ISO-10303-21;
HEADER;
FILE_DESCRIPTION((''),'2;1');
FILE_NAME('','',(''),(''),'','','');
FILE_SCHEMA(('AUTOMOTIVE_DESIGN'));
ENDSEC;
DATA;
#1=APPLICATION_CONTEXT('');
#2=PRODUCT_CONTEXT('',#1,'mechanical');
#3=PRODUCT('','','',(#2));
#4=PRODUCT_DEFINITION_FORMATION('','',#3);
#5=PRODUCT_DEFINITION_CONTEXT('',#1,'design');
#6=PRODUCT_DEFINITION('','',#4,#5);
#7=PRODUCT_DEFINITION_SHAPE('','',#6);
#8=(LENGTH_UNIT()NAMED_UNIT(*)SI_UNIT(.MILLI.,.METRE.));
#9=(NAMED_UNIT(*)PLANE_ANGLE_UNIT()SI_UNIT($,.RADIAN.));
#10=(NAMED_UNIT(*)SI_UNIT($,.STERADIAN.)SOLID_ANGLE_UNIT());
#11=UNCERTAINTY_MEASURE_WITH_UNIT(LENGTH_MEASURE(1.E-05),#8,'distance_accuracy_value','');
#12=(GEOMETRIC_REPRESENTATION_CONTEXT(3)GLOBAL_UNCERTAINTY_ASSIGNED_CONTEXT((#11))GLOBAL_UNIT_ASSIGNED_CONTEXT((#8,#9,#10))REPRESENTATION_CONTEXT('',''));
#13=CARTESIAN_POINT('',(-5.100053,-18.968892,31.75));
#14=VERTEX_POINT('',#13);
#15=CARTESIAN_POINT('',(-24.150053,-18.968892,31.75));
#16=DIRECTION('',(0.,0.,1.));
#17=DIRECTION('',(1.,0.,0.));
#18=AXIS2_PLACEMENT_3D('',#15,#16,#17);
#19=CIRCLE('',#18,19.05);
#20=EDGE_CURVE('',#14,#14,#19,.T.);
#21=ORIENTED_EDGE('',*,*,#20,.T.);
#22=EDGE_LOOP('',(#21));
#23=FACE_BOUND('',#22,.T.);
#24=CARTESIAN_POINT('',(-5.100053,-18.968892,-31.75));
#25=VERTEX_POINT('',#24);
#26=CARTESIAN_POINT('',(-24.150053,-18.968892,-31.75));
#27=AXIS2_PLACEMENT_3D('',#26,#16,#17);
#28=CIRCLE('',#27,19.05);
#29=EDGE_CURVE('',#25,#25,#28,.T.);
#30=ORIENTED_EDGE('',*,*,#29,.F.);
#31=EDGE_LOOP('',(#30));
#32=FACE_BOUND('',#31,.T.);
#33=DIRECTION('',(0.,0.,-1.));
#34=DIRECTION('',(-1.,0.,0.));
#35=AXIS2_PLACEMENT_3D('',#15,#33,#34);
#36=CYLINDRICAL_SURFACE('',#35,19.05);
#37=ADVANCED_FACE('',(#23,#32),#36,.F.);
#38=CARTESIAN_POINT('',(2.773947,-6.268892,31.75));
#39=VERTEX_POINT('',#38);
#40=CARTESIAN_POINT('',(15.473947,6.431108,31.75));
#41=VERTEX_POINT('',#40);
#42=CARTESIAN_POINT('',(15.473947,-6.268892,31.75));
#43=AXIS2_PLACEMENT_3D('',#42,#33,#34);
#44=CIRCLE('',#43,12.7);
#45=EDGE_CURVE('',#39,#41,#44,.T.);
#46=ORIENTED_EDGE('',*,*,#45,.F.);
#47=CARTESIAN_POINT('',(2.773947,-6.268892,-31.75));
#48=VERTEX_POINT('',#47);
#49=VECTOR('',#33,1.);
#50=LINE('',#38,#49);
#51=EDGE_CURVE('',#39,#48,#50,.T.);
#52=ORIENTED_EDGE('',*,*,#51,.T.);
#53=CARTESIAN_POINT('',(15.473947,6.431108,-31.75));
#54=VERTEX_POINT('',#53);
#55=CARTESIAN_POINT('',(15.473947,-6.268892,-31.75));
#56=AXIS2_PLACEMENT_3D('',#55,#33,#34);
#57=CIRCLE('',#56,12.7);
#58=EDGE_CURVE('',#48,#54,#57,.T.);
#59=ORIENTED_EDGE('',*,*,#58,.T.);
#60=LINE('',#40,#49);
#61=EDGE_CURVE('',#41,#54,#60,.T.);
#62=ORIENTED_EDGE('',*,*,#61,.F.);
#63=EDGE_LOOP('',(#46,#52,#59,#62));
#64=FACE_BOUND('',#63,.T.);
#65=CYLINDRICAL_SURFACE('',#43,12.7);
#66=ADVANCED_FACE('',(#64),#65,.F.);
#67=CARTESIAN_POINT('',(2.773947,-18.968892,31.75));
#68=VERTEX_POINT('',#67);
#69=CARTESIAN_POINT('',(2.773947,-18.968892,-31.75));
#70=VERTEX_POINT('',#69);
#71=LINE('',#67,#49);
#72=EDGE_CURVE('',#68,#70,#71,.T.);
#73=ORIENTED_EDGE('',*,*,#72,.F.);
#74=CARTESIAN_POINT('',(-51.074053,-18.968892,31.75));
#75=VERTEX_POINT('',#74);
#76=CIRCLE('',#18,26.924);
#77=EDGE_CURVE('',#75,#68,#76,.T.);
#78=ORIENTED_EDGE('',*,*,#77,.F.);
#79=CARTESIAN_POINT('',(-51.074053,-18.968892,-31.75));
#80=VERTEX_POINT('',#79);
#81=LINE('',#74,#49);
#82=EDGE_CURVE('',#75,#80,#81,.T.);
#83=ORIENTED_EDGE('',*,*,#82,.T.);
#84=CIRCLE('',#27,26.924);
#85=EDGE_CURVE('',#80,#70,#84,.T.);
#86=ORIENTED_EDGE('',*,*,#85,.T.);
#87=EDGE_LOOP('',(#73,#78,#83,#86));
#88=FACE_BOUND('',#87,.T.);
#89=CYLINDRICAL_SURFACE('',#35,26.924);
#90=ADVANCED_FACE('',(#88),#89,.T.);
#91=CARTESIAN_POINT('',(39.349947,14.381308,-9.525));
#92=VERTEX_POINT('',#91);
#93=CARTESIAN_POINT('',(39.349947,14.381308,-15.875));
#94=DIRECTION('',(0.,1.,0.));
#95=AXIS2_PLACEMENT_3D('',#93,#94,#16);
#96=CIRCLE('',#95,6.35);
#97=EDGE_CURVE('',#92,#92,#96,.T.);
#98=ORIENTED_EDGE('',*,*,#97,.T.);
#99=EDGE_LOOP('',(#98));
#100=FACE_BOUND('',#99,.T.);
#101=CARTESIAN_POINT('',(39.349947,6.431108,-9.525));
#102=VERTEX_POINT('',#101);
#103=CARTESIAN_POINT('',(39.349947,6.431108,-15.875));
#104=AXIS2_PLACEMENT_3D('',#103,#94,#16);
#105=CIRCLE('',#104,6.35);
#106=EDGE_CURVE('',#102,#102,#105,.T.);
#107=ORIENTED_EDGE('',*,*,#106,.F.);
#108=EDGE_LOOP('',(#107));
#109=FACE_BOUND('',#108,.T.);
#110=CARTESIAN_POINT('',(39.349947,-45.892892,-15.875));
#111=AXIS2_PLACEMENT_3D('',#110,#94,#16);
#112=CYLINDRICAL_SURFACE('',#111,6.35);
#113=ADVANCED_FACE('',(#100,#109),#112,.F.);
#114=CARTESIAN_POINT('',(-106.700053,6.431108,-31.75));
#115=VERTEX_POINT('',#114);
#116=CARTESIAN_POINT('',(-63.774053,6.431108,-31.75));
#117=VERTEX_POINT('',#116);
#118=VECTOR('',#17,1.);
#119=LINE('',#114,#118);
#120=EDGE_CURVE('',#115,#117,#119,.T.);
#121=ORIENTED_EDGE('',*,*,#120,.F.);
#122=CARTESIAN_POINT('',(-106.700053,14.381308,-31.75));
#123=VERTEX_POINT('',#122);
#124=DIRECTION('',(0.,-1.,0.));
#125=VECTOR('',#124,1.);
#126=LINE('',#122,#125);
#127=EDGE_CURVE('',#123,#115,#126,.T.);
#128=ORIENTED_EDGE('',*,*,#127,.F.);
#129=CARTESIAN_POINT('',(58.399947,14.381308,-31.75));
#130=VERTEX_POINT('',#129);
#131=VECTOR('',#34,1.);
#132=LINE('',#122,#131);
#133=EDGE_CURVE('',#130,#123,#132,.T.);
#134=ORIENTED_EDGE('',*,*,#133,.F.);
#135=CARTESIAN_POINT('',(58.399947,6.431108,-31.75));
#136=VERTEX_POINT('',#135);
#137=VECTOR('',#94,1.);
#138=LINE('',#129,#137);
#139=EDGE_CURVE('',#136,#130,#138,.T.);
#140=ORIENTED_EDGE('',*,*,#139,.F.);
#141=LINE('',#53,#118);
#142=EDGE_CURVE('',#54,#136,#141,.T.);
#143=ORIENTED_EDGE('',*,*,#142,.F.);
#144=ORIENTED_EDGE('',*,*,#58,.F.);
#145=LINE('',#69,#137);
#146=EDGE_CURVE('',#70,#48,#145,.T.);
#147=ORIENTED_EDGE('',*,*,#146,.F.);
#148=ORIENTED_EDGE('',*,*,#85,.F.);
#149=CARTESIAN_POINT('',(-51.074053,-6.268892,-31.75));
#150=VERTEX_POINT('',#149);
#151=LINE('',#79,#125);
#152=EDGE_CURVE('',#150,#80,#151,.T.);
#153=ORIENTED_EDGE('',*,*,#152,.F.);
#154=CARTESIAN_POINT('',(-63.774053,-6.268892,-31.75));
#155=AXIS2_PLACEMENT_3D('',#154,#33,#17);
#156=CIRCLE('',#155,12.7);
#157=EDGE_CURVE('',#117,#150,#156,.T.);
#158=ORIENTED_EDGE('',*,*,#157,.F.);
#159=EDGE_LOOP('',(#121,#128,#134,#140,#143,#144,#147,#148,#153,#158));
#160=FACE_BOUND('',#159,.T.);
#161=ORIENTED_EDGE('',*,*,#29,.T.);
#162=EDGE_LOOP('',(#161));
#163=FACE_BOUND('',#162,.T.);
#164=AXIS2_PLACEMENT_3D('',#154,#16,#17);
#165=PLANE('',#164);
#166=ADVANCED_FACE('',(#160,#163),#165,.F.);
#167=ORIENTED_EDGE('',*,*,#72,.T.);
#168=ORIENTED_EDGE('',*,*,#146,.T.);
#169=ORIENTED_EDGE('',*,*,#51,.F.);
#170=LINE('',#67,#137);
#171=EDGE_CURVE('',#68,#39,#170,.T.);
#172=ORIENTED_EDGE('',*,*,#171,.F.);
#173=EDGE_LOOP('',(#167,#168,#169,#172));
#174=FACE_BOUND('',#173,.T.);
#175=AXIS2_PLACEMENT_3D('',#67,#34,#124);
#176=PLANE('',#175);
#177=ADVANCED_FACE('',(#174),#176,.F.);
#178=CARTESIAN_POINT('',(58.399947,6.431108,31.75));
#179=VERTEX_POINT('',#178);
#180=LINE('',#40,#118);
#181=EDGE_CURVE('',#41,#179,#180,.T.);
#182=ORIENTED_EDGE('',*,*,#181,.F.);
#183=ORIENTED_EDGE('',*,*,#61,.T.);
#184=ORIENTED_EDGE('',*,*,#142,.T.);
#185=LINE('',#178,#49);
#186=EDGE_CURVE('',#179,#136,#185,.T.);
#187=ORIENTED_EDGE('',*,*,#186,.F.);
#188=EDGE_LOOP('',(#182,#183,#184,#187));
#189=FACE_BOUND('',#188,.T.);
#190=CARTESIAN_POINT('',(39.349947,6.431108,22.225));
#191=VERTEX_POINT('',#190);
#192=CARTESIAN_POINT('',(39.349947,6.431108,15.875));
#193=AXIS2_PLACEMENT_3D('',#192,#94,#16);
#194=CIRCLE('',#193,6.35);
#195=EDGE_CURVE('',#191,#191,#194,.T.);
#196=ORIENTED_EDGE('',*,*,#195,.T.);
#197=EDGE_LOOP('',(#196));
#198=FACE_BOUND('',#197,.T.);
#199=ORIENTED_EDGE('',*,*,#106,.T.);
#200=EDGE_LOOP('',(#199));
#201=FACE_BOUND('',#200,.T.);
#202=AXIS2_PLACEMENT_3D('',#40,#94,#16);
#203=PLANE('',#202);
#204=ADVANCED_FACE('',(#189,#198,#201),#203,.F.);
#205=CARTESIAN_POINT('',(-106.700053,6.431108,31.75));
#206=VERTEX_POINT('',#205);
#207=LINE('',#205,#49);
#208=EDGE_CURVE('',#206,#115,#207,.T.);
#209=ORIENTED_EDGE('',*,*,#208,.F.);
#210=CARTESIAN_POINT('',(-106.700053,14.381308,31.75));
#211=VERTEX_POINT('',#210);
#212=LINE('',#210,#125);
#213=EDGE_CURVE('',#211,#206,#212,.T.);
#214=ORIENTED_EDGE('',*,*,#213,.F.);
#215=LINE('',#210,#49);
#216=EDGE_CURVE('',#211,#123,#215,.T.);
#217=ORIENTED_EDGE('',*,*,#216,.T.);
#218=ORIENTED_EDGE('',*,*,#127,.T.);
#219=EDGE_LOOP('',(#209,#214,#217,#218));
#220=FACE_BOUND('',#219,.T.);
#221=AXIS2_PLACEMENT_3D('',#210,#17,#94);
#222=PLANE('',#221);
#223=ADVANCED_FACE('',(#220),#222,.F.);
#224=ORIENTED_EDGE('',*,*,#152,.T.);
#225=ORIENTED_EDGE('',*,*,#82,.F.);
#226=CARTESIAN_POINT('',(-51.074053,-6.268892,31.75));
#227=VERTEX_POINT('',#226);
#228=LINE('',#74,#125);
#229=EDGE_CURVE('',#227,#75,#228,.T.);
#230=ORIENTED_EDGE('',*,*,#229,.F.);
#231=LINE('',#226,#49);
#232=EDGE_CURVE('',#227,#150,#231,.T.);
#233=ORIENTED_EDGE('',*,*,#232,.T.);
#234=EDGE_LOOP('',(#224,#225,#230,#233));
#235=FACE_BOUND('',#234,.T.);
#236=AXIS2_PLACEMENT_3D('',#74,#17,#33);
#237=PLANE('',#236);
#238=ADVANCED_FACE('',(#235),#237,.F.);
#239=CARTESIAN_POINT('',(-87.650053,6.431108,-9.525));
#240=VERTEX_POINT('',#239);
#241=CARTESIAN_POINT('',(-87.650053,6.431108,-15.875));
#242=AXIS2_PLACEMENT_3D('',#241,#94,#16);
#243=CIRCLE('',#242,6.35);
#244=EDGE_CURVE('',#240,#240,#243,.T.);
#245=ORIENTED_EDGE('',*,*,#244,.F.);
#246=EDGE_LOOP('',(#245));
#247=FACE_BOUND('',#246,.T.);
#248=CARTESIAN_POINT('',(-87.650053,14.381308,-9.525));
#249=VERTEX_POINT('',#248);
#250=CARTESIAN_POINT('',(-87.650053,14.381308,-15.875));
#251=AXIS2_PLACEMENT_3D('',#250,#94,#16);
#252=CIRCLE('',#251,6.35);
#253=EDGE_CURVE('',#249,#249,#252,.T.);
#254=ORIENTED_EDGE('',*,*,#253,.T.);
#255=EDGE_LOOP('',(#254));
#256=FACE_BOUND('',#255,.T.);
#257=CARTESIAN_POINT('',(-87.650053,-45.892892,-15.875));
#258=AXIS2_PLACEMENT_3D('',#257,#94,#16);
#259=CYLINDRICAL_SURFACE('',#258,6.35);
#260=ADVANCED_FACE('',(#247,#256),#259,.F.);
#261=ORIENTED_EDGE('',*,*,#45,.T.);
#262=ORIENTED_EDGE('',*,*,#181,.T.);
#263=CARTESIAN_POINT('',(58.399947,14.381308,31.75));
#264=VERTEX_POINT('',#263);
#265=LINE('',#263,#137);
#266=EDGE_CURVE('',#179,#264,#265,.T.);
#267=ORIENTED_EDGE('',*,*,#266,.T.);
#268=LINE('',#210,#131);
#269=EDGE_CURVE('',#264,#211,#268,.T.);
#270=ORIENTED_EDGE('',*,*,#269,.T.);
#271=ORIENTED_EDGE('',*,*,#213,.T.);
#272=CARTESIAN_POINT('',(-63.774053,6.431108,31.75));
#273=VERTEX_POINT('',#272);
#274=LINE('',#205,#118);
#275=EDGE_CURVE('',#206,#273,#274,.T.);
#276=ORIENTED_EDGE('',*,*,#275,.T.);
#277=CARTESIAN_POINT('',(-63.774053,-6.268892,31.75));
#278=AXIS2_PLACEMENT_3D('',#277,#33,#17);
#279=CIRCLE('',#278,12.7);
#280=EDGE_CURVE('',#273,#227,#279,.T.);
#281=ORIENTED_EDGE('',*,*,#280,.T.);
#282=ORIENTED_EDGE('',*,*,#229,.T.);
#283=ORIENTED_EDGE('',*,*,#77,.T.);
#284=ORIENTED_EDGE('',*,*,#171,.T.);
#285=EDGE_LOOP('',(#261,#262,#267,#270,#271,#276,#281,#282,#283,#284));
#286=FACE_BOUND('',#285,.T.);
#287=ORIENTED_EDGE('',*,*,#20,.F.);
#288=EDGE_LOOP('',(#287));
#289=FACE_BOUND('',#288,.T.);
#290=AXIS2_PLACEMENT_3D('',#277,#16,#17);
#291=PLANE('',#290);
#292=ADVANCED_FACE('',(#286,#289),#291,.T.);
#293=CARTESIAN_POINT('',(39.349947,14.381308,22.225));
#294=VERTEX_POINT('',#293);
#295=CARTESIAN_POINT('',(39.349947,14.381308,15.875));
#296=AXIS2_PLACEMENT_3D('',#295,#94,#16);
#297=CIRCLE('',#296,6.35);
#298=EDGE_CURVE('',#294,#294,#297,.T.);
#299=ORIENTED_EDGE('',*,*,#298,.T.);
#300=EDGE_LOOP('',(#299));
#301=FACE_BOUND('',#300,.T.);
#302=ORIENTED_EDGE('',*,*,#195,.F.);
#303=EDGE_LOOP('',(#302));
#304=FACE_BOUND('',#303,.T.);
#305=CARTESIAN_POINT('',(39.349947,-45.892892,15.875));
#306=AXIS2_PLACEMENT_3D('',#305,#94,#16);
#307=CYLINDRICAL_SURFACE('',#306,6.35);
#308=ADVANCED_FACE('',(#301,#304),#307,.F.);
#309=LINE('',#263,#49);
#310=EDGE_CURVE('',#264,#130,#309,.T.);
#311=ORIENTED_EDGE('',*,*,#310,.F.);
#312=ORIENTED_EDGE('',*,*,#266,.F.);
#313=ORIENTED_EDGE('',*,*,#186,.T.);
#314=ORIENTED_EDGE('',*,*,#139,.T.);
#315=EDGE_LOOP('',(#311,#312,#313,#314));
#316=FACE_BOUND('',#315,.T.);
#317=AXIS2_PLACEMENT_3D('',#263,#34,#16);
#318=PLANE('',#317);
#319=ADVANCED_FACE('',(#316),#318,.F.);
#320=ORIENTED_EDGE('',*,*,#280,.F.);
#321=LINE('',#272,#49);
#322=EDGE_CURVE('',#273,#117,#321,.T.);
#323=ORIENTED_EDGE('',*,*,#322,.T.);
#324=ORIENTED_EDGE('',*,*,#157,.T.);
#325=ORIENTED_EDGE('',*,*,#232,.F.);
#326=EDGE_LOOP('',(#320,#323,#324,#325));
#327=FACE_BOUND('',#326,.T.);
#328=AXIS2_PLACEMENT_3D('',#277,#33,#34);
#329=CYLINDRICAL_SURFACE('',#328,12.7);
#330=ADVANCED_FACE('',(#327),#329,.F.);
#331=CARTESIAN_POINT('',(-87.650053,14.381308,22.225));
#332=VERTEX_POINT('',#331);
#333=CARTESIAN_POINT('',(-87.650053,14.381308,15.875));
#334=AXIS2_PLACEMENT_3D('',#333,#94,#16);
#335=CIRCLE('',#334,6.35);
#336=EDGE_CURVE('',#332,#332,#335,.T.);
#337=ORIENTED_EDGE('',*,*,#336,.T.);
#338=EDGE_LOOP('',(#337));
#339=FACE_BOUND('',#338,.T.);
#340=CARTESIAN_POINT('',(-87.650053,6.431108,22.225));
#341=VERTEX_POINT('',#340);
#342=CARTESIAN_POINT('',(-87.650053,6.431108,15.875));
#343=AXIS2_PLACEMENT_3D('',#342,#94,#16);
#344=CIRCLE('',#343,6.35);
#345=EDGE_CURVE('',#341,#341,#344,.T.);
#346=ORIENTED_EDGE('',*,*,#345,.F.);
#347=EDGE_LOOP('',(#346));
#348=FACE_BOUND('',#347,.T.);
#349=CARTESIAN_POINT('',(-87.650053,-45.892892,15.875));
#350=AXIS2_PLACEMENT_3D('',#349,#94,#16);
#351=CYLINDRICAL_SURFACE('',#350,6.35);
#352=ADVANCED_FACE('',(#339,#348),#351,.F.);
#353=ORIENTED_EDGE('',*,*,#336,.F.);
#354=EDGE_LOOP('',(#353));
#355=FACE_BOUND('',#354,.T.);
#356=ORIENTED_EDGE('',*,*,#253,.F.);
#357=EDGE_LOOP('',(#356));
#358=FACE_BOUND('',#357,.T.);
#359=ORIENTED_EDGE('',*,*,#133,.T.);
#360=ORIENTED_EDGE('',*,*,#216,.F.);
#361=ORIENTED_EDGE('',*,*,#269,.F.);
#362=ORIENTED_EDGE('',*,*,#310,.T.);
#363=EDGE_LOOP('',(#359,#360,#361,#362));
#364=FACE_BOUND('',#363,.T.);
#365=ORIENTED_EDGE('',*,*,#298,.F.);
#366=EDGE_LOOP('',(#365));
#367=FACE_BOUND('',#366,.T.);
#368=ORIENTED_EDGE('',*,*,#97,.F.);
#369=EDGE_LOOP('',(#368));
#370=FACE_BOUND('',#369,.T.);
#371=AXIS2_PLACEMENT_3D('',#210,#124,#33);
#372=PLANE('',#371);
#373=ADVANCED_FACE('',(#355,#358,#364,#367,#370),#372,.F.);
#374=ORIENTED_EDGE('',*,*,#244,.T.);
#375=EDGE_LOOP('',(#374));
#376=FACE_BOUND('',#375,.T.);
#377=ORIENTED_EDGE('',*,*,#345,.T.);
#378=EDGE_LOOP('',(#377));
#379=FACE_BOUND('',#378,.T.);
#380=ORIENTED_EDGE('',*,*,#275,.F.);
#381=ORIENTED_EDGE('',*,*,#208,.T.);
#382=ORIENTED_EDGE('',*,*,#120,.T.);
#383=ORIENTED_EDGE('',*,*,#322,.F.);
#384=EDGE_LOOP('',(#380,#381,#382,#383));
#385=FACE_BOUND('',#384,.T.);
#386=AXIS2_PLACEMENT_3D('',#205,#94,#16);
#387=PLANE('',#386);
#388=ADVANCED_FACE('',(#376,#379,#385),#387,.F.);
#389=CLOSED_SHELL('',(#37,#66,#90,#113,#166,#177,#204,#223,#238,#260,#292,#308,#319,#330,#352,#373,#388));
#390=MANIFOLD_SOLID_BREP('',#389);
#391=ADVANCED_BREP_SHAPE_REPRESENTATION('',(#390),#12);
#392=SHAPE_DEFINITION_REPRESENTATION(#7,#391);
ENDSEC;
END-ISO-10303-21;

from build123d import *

# Parameters (mm, degrees)
SKETCH1_R           = 19.05
BOSS_EXTRUDE1_DEPTH = 31.75
SKETCH3_R           = 6.35
CUT_EXTRUDE1_DEPTH  = 127.593613969


with BuildPart() as part:
    # Sketch1 → Boss-Extrude1 (new, symmetric)
    with BuildSketch(Plane.XY):
        with BuildLine():
            Line((-51.074053478, -18.968891898), (-51.074053478, -6.268891898))
            ThreePointArc((-51.074053478, -6.268891898), (-54.793797356, 2.711364223), (-63.774053478, 6.431108102))
            Line((-63.774053478, 6.431108102), (-106.700053478, 6.431108102))
            Line((-106.700053478, 6.431108102), (-106.700053478, 14.381308102))
            Line((-106.700053478, 14.381308102), (58.399946522, 14.381308102))
            Line((58.399946522, 14.381308102), (58.399946522, 6.431108102))
            Line((58.399946522, 6.431108102), (15.473946522, 6.431108102))
            ThreePointArc((15.473946522, 6.431108102), (6.493690401, 2.711364223), (2.773946522, -6.268891898))
            Line((2.773946522, -6.268891898), (2.773946522, -18.968891898))
            ThreePointArc((2.773946522, -18.968891898), (-24.150053478, -45.892891898), (-51.074053478, -18.968891898))
        make_face()
        with Locations((-24.150053478, -18.968891898)):
            Circle(SKETCH1_R, mode=Mode.SUBTRACT)
    extrude(amount=BOSS_EXTRUDE1_DEPTH, both=True)

    # Sketch3 → Cut-Extrude1 (cut, through all)
    with BuildSketch(Plane(origin=(0, 14.381308102, 0), x_dir=(1, 0, 0), z_dir=(0, 1, 0))):
        with Locations(Location((-87.650053478, 15.875, 0), (0, 0, 270))):
            Circle(SKETCH3_R)
        with Locations(Location((-87.650053478, -15.875, 0), (0, 0, 270))):
            Circle(SKETCH3_R)
        with Locations(Location((39.349946522, -15.875, 0), (0, 0, 270))):
            Circle(SKETCH3_R)
        with Locations(Location((39.349946522, 15.875, 0), (0, 0, 270))):
            Circle(SKETCH3_R)
    extrude(amount=-CUT_EXTRUDE1_DEPTH, mode=Mode.SUBTRACT)


solid = part.part
